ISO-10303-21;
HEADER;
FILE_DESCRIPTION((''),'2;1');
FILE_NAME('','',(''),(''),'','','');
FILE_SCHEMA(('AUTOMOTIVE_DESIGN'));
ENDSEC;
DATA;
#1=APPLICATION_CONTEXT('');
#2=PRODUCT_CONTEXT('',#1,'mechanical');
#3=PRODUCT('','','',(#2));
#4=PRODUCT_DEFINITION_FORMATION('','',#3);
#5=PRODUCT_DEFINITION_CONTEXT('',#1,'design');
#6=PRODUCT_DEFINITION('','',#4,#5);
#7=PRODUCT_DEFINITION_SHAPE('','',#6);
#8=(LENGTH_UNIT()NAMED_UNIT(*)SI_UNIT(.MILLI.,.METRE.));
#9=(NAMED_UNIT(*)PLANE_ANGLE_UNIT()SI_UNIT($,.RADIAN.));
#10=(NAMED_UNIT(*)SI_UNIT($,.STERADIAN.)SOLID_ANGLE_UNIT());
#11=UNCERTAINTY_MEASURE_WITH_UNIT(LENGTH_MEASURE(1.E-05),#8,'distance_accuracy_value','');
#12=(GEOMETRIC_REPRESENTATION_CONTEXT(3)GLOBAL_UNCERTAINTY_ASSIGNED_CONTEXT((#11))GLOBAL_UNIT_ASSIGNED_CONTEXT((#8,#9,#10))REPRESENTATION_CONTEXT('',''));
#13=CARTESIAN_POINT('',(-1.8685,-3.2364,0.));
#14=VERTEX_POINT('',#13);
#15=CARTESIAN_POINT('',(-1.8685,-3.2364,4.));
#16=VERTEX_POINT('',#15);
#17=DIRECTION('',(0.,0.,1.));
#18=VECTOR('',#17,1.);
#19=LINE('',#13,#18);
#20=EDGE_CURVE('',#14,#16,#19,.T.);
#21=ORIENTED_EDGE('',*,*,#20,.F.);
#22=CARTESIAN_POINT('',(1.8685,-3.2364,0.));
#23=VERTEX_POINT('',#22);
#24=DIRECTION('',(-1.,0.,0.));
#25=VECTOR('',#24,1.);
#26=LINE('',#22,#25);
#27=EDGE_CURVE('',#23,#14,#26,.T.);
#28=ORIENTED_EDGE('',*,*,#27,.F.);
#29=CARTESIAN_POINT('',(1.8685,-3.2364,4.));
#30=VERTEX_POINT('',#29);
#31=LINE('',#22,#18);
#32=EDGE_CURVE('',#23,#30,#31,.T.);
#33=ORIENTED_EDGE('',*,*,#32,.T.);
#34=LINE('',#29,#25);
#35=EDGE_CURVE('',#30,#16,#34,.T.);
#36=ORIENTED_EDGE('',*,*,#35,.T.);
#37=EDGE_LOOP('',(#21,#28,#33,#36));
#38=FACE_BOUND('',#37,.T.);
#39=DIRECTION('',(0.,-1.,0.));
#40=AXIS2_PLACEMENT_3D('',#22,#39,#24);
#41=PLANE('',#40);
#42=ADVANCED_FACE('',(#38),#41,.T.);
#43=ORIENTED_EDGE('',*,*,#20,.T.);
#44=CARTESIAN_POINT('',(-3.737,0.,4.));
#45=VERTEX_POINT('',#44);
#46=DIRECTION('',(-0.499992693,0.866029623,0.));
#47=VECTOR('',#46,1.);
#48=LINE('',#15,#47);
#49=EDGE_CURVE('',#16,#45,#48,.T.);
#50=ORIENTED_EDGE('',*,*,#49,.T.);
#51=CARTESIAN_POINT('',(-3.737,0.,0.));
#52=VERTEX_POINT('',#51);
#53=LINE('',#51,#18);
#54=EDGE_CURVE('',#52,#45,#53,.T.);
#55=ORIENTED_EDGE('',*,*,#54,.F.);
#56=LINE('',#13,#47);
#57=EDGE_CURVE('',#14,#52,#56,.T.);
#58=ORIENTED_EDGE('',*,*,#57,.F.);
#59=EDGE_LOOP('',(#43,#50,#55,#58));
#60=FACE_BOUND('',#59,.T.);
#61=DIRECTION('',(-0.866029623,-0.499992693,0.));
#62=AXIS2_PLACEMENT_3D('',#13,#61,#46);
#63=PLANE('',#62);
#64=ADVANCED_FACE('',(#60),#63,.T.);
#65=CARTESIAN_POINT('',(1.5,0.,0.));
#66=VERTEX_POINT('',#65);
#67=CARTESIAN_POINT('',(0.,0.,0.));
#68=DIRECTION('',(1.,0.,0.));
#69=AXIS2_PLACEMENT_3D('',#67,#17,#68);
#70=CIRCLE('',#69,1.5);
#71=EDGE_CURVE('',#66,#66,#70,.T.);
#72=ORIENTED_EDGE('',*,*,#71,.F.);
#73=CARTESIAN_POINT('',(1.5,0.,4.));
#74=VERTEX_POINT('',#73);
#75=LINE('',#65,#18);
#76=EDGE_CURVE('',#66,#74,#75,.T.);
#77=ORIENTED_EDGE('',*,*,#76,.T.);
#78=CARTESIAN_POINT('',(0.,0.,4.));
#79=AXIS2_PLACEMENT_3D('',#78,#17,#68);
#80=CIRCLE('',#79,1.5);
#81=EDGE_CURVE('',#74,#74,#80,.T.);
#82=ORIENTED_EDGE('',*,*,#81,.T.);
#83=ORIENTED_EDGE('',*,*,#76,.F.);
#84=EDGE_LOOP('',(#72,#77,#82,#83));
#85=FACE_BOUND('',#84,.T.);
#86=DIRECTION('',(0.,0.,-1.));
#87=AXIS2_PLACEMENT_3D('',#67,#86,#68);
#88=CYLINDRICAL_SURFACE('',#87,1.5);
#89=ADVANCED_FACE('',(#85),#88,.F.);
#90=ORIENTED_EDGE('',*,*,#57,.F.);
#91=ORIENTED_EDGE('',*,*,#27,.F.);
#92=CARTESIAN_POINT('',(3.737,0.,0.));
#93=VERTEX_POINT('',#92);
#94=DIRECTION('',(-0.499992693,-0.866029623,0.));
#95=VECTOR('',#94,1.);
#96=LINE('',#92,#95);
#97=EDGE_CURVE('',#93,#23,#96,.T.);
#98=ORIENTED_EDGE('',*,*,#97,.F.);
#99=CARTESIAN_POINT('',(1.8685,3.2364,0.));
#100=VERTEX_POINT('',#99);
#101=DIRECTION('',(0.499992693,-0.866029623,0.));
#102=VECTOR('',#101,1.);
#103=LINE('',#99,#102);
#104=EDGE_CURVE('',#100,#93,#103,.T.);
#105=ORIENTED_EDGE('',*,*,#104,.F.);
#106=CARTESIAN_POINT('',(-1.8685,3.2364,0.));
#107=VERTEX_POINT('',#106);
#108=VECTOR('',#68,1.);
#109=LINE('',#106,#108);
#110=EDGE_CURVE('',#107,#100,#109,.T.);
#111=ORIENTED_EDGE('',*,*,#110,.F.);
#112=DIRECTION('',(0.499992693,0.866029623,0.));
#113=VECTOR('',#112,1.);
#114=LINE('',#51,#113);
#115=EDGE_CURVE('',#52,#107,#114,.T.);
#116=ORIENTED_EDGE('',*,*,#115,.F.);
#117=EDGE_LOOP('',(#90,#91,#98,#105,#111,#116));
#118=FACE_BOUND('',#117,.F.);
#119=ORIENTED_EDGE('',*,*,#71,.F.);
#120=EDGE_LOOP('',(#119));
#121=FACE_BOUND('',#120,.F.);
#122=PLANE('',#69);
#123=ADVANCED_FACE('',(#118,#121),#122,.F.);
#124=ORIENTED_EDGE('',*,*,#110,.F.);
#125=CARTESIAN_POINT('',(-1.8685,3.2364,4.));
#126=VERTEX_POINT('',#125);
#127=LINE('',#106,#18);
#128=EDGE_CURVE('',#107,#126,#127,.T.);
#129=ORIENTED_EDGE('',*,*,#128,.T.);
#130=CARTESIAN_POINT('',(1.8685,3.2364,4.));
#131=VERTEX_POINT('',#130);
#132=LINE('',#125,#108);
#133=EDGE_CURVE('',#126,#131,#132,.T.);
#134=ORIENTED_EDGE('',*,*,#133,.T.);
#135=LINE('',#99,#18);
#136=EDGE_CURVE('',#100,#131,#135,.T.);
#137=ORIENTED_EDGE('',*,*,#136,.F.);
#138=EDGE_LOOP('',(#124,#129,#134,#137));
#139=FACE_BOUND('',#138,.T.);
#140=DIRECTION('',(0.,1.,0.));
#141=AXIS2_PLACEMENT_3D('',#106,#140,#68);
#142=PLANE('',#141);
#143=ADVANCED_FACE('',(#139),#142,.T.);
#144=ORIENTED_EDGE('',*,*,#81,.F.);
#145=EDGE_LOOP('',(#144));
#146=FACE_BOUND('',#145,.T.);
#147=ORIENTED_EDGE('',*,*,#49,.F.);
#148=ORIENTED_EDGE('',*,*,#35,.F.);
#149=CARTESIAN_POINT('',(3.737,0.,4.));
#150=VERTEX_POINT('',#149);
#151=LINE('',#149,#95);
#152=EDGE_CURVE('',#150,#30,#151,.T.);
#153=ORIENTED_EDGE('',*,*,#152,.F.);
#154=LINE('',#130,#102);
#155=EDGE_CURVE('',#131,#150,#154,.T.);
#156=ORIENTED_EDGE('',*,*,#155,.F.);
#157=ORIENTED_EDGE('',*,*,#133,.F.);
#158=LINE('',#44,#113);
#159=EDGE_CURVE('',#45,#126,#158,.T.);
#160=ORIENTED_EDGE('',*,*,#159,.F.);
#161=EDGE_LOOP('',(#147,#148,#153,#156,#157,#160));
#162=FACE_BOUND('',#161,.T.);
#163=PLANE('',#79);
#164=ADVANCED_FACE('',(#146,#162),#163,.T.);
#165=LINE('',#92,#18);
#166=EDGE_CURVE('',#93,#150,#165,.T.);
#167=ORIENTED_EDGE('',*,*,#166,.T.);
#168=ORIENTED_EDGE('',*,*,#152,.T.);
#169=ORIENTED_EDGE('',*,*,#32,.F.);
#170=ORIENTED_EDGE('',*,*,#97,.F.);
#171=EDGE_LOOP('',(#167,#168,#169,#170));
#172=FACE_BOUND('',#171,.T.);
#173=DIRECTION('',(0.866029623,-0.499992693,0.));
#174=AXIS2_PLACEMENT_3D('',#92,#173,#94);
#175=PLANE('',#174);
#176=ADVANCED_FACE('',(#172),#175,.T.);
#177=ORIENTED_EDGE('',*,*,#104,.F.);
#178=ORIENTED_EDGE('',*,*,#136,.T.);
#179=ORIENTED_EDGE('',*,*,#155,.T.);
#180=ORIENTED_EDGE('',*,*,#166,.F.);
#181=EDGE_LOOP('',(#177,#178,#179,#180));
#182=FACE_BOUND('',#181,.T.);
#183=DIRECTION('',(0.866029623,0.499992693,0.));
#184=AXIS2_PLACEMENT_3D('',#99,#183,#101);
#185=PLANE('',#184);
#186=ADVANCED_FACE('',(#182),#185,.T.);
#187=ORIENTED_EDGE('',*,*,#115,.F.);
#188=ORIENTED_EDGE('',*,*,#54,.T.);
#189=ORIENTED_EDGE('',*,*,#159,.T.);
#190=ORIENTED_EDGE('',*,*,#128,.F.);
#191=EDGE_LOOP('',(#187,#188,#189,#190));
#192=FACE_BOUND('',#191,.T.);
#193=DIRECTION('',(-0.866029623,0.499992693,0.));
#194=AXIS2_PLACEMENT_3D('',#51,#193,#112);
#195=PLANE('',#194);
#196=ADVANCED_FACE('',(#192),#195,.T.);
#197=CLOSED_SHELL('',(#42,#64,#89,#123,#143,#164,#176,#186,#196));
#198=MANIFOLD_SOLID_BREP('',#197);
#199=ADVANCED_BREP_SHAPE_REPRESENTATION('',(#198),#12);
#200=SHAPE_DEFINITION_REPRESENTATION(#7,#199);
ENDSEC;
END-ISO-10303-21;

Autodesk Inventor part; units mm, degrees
ref_plane "YZ Plane" through (0, 0, 0) normal (1, 0, 0) x (0, 1, 0)
ref_plane "XZ Plane" through (0, 0, 0) normal (0, 1, 0) x (-1, 0, 0)
ref_plane "XY Plane" through (0, 0, 0) normal (0, 0, 1) x (1, 0, 0)
sketch "Sketch1" plane through (0, 0, 0) normal (0, 0, 1) x (1, 0, 0)
  circle A0 centre (0, 0) radius 1.5
  line L0 (3.737, 0) -> (1.8685, -3.2364)
  line L1 (1.8685, -3.2364) -> (-1.8685, -3.2364)
  line L2 (-1.8685, -3.2364) -> (-3.737, 0)
  line L3 (-3.737, 0) -> (-1.8685, 3.2364)
  line L4 (-1.8685, 3.2364) -> (1.8685, 3.2364)
  line L5 (1.8685, 3.2364) -> (3.737, 0)
  dimension "d0" = 3
extrude "Extrusion1" add sketch "Sketch1" along normal blind 4
thread "Thread1" size "M3x0.5" class "6H" standard "ANSI Metric M Profile" full length
properties part number "PulleyNut"
